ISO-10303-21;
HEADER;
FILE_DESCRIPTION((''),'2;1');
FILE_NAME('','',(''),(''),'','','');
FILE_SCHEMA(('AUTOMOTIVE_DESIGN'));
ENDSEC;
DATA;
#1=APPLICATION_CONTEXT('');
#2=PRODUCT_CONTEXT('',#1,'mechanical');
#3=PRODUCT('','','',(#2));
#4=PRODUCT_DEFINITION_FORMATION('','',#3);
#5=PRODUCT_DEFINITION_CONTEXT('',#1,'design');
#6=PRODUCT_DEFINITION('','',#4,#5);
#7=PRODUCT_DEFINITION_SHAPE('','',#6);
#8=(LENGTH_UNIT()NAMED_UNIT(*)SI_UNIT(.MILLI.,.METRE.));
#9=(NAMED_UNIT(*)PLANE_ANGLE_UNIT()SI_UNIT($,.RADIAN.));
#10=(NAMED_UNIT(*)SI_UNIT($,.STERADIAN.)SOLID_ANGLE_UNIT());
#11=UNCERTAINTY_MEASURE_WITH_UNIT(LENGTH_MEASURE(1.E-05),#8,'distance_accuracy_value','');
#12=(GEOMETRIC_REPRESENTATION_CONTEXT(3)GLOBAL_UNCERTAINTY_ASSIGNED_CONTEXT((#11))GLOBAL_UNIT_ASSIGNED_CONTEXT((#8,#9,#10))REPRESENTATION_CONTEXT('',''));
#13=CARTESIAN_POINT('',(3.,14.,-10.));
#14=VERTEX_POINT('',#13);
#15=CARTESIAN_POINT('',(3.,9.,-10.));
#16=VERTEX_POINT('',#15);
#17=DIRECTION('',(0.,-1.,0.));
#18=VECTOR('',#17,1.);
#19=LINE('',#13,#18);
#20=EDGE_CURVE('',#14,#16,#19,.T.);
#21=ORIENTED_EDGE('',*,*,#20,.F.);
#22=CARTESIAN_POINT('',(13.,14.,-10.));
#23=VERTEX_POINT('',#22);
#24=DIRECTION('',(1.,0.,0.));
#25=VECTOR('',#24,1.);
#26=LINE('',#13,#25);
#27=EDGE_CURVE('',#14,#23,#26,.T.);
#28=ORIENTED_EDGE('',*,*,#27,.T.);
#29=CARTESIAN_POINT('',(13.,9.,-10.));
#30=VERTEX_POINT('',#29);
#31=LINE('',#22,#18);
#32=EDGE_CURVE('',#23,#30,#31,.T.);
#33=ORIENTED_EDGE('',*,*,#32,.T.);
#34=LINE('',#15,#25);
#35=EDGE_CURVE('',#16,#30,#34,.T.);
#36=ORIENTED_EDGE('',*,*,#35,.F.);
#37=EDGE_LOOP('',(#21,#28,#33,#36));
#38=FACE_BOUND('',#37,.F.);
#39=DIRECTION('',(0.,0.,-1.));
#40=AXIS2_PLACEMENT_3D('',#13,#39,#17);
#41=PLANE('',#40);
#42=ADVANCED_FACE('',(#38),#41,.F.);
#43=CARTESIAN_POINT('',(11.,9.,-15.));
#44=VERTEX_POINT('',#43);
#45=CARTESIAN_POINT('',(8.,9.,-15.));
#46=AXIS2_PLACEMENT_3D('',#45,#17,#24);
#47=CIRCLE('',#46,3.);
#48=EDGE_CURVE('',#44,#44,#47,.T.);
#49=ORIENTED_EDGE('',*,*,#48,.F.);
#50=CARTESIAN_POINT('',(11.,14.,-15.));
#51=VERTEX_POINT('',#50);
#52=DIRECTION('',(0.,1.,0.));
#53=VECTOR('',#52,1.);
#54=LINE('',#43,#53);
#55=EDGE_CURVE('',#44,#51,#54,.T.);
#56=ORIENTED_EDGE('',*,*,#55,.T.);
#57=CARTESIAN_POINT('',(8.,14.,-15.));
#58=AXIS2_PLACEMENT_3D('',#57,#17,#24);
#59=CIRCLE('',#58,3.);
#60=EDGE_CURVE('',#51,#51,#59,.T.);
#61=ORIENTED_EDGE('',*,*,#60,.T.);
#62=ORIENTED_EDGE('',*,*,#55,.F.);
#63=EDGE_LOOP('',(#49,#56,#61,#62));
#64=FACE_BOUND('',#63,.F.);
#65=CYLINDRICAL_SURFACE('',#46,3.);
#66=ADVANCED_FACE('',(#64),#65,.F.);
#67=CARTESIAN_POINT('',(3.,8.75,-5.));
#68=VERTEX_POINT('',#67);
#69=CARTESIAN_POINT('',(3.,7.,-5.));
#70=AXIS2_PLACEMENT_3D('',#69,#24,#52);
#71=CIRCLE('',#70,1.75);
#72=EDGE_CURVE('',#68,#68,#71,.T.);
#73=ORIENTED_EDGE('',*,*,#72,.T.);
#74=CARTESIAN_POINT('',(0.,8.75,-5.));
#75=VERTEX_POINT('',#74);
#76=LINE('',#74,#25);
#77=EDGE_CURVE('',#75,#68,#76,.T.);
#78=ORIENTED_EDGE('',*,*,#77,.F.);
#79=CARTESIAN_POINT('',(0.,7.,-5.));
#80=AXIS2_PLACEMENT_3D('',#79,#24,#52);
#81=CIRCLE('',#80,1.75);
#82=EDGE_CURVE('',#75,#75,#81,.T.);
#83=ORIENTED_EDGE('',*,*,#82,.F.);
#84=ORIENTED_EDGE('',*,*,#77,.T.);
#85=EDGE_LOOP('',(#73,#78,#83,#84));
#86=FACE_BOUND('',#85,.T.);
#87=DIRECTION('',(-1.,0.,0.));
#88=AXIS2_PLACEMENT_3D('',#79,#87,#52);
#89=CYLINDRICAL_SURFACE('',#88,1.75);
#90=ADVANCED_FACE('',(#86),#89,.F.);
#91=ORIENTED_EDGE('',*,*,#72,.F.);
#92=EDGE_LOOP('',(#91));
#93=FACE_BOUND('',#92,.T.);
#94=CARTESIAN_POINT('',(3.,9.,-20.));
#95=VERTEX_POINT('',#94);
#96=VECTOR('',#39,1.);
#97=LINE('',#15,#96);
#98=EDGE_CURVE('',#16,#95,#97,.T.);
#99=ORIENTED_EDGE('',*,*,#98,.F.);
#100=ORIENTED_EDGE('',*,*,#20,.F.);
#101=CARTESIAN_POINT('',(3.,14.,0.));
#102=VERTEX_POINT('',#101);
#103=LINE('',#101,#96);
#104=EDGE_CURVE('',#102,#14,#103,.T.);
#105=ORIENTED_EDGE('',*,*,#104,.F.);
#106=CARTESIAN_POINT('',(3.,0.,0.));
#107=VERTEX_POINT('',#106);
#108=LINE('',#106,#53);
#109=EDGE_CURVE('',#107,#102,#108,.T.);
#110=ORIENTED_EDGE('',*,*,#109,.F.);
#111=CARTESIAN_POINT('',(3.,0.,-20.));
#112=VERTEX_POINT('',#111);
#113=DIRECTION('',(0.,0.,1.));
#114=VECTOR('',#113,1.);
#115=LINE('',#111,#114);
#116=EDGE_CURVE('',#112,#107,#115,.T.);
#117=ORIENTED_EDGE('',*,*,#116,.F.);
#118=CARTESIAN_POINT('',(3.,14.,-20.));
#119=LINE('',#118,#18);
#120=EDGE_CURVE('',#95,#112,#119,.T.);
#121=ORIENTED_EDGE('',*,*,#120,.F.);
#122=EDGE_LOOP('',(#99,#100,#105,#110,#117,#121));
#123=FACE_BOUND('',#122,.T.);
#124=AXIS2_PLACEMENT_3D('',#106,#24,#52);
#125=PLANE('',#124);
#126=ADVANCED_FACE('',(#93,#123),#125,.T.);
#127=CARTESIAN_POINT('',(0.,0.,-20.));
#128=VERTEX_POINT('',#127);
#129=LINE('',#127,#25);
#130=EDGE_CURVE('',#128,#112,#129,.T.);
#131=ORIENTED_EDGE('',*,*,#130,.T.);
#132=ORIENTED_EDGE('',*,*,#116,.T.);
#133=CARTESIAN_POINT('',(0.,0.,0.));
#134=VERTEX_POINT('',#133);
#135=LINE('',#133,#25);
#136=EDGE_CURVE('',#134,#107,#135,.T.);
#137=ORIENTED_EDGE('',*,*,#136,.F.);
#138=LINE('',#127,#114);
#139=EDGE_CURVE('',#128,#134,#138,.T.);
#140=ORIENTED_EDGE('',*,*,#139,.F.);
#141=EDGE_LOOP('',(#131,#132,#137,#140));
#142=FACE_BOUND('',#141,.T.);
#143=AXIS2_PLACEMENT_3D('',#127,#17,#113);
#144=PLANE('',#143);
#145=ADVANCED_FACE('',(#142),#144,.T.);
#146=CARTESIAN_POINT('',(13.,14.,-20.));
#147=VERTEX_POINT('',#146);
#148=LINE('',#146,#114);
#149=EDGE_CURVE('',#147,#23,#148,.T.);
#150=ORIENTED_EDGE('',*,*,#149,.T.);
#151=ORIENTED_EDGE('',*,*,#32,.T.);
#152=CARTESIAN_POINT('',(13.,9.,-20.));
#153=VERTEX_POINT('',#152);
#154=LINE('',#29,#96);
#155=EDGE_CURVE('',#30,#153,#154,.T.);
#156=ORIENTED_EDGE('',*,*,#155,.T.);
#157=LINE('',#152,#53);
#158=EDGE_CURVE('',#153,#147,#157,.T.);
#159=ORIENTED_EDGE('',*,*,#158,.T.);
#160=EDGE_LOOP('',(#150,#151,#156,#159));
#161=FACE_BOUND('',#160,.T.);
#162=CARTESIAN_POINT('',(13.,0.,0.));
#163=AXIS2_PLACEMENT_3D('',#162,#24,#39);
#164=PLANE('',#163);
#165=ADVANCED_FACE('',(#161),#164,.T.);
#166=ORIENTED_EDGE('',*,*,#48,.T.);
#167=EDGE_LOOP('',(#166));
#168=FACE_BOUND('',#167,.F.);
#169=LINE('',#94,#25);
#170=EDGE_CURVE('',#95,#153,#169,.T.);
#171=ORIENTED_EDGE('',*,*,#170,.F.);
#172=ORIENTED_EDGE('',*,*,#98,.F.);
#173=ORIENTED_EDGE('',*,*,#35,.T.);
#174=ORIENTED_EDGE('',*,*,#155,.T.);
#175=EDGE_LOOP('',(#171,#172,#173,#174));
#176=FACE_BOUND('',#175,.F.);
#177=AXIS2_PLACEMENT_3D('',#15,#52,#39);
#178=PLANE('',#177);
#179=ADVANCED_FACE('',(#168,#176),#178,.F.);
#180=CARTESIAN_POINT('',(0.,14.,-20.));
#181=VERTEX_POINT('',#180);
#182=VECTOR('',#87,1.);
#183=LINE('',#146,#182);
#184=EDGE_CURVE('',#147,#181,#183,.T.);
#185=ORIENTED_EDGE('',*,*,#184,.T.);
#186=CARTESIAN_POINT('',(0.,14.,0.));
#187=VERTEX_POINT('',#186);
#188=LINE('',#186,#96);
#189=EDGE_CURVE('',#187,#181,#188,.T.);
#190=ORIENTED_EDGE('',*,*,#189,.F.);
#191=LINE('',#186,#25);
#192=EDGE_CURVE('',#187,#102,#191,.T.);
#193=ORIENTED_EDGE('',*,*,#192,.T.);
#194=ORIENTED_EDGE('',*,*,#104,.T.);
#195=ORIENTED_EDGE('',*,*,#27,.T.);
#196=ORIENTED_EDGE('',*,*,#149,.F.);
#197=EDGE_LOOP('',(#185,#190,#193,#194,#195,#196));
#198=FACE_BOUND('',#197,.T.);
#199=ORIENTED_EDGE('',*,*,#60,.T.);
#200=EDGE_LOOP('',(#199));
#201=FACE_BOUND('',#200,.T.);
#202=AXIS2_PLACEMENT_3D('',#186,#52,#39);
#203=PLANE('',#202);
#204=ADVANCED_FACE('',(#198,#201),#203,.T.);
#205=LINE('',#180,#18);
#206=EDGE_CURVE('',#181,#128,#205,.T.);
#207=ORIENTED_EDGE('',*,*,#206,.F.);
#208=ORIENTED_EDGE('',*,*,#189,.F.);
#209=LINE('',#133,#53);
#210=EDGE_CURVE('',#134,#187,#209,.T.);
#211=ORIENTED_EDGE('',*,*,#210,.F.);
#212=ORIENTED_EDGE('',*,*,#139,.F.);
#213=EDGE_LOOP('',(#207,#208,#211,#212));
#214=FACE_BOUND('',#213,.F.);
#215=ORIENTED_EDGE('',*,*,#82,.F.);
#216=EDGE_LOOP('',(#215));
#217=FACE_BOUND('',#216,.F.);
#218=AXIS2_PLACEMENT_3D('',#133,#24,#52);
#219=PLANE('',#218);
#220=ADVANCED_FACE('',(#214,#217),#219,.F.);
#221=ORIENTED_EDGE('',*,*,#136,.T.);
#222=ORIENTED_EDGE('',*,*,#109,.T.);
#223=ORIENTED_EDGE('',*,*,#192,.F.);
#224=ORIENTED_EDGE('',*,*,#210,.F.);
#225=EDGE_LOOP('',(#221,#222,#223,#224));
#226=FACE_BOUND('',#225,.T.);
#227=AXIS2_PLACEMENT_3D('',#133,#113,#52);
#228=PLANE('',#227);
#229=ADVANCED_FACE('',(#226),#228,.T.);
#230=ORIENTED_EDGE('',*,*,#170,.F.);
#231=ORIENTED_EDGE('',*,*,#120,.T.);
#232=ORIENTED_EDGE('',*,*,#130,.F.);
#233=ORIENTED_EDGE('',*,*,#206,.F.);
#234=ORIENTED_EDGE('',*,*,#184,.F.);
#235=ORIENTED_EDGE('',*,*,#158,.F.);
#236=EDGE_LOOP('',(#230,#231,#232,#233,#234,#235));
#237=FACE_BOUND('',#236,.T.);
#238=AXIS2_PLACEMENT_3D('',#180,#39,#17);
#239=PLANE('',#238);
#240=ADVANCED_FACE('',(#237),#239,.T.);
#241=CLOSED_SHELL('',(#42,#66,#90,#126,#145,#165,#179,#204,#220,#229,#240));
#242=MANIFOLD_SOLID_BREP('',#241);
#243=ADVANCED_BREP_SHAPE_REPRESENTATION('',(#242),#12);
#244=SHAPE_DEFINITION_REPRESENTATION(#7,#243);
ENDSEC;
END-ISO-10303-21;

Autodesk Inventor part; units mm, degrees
ref_plane "YZ Plane" through (0, 0, 0) normal (1, 0, 0) x (0, 1, 0)
ref_plane "XZ Plane" through (0, 0, 0) normal (0, 1, 0) x (-1, 0, 0)
ref_plane "XY Plane" through (0, 0, 0) normal (0, 0, 1) x (1, 0, 0)
sketch "Sketch2" plane through (0, 0, 0) normal (1, 0, 0) x (0, 1, 0)
  line L0 (0, 0) -> (14, 0)
  circle A0 centre (7, -5) radius 1.75
  line L1 (14, 0) -> (14, -20)
  line L2 (14, -20) -> (0, -20)
  line L3 (0, -20) -> (0, 0)
  point P0 (7, -20)
  dimension "d6" = 14
  dimension "d7" = 3.5
  dimension "d11" = 20
  dimension "d20" = 5
extrude "Extrusion1" add sketch "Sketch2" along normal blind 3
sketch "Sketch3" plane through (3, 0, 0) normal (1, 0, 0) x (0, 0, -1)
  line L0 (20, 14) -> (10, 14)
  line L1 (10, 14) -> (10, 9)
  line L2 (10, 9) -> (20, 9)
  line L3 (20, 9) -> (20, 14)
  line L4 (20, 0) -> (20, 14) projected
  dimension "d12" = 5
  dimension "d13" = 10
extrude "Extrusion2" add sketch "Sketch3" along normal blind 10
sketch "Sketch4" plane through (3, 9, -10) normal (0, -1, 0) x (1, 0, 0)
  circle A0 centre (5, -5) radius 3
  line L0 (10, 0) -> (10, -10) projected
  point P0 (-3, 10)
  point P1 (10, -5)
  dimension "d16" = 6
  dimension "d17" = 5
extrude "Extrusion3" cut sketch "Sketch4" against normal through all
properties part number "IRSensorMount"
